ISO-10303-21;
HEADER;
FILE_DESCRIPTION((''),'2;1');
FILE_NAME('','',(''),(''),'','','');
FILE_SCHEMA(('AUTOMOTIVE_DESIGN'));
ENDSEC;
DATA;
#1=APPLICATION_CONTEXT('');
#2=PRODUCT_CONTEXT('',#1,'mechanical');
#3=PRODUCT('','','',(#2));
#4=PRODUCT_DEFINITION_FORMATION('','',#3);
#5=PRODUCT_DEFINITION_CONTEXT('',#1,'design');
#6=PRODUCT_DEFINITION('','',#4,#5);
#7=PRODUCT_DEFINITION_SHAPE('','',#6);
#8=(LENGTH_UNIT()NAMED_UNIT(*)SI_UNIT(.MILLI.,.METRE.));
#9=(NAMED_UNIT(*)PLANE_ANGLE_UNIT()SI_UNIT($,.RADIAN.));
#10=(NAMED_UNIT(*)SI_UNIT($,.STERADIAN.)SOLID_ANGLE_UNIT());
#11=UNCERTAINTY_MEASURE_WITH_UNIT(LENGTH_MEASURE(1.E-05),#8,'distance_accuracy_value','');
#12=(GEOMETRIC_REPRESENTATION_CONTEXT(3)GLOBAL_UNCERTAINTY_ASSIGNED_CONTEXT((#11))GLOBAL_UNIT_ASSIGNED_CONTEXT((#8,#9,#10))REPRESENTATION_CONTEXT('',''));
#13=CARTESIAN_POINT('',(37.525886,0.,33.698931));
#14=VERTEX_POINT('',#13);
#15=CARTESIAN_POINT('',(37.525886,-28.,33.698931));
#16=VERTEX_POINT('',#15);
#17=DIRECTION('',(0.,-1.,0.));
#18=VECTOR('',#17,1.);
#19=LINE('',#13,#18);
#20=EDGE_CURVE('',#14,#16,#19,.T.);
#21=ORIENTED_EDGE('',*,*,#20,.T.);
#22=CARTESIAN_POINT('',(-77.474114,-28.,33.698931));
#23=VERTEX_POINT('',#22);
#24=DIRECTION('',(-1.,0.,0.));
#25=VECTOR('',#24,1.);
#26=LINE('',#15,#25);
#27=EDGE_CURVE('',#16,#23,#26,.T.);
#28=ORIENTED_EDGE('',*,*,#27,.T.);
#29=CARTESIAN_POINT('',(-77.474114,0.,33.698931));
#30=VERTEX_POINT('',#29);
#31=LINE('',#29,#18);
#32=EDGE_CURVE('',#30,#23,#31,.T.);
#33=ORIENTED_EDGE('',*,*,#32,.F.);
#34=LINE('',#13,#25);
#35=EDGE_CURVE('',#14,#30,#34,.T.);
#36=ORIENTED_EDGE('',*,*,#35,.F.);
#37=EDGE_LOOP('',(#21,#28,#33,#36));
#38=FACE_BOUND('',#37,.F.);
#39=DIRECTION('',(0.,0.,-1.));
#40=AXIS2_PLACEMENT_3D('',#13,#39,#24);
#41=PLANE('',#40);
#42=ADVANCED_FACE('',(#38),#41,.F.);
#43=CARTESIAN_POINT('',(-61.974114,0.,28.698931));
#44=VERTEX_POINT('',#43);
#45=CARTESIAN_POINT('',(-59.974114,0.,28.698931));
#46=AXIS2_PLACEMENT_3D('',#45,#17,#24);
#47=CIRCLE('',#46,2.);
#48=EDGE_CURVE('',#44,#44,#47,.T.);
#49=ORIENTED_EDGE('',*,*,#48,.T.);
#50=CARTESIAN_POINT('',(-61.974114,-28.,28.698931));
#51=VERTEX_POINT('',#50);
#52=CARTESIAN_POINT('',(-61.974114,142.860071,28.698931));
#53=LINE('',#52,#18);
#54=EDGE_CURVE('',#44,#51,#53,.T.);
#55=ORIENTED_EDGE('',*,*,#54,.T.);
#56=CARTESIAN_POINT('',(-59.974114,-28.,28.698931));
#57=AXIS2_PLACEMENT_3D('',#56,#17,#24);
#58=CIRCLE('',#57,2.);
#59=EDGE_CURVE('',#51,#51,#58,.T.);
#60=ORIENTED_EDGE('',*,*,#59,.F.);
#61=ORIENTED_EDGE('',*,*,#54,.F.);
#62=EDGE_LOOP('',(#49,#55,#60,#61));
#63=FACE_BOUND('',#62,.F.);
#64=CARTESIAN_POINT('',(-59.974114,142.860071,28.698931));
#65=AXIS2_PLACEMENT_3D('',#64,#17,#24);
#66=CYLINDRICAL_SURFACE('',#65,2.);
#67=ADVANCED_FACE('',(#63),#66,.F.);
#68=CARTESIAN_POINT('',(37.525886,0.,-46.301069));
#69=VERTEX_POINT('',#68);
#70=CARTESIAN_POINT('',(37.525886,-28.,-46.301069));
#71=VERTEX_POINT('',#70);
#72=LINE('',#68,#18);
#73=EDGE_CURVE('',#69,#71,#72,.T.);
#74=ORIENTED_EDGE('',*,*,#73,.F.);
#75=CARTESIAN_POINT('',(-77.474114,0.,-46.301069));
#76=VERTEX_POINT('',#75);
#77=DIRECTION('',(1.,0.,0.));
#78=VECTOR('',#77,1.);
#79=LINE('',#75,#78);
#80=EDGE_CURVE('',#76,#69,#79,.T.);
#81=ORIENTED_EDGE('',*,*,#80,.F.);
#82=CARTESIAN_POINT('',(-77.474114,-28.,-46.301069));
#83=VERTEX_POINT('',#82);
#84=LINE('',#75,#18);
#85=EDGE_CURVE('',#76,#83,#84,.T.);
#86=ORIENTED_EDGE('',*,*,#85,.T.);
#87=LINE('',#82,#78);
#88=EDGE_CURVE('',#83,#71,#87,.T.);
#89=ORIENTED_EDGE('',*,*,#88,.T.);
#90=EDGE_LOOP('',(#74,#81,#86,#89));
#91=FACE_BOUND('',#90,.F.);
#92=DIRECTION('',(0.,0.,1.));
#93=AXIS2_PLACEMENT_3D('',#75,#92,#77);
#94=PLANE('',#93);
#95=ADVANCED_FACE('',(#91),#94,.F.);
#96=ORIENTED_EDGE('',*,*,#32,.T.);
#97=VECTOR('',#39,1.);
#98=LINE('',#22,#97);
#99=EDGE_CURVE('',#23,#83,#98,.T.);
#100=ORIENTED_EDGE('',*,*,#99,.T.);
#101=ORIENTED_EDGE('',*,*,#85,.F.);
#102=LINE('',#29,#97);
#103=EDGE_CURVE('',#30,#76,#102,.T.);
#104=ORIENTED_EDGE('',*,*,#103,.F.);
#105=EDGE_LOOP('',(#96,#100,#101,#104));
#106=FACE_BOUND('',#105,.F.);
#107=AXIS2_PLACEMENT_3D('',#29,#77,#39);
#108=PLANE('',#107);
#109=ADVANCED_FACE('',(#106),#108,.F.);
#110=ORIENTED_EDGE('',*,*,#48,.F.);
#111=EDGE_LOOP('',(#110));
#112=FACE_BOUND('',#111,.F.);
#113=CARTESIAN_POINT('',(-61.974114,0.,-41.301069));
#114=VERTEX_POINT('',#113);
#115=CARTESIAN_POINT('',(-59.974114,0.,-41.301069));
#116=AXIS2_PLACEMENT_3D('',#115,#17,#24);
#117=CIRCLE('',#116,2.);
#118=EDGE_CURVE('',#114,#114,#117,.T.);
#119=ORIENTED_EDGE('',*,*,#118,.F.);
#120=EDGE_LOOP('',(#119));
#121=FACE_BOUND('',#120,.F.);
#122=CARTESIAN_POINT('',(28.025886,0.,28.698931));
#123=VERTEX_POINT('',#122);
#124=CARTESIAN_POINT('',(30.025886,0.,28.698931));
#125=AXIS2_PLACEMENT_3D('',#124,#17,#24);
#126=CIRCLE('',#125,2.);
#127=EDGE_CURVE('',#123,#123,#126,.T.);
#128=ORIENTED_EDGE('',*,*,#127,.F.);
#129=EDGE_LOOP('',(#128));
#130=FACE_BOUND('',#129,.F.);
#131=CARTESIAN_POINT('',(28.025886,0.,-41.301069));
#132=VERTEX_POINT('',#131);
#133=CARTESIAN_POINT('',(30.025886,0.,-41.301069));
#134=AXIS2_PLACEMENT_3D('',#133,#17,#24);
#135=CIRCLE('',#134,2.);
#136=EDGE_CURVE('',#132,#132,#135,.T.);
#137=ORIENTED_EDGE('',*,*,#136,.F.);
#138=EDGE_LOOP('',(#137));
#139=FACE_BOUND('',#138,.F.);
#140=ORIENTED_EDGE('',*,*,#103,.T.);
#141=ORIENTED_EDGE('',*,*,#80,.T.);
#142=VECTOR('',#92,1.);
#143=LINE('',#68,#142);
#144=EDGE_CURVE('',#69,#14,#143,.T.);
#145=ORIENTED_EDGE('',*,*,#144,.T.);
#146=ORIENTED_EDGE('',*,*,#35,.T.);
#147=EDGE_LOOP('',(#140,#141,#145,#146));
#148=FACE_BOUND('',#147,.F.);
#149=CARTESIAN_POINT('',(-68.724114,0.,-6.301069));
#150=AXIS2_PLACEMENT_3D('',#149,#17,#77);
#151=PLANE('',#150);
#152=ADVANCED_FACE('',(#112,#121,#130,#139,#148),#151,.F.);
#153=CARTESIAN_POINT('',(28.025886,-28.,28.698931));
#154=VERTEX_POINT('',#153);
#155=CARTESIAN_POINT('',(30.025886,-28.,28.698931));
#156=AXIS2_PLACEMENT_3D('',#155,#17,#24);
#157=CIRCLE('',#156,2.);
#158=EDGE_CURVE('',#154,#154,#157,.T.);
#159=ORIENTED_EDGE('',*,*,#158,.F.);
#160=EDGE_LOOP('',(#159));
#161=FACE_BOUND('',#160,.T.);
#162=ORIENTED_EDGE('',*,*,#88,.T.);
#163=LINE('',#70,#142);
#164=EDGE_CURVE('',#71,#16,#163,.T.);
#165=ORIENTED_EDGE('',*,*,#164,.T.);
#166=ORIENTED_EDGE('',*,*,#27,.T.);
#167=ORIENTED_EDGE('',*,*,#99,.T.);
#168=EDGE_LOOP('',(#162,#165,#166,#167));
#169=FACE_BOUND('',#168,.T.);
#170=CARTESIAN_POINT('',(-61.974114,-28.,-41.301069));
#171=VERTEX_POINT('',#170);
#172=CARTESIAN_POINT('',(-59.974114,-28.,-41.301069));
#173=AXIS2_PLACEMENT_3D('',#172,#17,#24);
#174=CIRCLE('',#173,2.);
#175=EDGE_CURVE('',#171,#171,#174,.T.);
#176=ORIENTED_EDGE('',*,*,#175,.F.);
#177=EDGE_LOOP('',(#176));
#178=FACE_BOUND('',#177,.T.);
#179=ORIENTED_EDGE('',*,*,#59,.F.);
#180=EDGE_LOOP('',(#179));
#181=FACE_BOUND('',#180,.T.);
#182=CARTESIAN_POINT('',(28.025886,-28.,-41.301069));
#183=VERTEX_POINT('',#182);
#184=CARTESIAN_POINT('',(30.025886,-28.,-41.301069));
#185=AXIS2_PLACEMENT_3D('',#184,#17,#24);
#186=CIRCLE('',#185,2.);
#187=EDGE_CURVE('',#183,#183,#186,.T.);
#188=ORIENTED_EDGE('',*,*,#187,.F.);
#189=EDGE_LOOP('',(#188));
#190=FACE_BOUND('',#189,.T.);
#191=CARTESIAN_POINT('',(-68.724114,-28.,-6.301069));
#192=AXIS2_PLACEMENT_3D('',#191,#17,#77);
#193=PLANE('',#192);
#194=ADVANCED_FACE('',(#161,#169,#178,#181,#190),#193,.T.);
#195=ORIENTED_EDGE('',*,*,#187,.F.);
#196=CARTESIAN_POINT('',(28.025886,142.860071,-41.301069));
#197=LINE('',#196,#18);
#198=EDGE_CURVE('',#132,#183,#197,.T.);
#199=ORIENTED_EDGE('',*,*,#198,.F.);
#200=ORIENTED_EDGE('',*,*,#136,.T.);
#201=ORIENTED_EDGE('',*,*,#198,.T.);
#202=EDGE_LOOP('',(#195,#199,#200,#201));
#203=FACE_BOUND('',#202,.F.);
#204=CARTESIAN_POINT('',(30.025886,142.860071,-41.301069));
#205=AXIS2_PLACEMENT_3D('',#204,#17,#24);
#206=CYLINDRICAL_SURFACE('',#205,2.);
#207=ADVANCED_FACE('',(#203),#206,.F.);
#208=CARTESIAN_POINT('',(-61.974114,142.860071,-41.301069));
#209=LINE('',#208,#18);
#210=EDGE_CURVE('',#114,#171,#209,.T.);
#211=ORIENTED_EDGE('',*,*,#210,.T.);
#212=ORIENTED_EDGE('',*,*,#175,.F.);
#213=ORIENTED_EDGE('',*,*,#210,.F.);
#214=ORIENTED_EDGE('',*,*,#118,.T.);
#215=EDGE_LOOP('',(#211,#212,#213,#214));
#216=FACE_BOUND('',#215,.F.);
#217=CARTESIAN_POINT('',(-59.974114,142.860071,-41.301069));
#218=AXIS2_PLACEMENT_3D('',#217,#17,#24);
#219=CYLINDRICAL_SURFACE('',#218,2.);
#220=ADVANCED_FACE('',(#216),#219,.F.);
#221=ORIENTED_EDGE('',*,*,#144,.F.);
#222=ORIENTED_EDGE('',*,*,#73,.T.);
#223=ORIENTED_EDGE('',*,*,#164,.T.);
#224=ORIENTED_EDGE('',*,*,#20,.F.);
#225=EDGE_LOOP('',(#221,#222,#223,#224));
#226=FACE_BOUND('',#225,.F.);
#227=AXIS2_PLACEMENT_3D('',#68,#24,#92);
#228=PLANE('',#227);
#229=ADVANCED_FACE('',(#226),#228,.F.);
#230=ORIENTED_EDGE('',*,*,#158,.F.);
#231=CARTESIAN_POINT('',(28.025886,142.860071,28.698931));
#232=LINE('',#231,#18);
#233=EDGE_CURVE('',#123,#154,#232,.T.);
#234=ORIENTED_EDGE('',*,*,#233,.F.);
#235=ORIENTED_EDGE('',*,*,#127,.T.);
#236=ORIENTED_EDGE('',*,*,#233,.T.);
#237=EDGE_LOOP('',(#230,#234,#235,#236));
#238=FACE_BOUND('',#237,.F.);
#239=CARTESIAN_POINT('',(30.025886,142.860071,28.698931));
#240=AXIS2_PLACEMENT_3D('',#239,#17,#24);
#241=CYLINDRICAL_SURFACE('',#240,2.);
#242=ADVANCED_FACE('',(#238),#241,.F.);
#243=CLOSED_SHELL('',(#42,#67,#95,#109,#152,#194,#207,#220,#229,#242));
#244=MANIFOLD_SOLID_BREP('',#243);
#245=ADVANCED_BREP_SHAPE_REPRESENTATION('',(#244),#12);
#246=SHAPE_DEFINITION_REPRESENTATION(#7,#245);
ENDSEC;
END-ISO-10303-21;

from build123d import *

# Parameters (mm, degrees)
F0_W     = 90
F0_H     = 5
F0_H_2   = 70
F0_W_2   = 7.5
F1_DEPTH = 28
F2_D     = 4


with BuildPart() as f1:
    # F0 (on Front) → F1 (new body)
    with BuildSketch(Plane.XZ):
        Polygon((-77.4741143733, 33.6989310638), (-77.4741143733, -46.3010689362), (-59.9741143733, -46.3010689362), (-59.9741143733, -41.3010689362), (-59.9741143733, 28.6989310638), (-59.9741143733, 33.6989310638), align=None)
        with Locations((-14.9741143733, 31.1989310638)):
            Rectangle(F0_W, F0_H)
        with Locations((-14.9741143733, -6.3010689362)):
            Rectangle(F0_W, F0_H_2)
        with Locations((33.7758856267, -6.3010689362)):
            Rectangle(F0_W_2, F0_H_2)
        with Locations((33.7758856267, 31.1989310638)):
            Rectangle(F0_W_2, F0_H)
        with Locations((-14.9741143733, -43.8010689362)):
            Rectangle(F0_W, F0_H)
        with Locations((33.7758856267, -43.8010689362)):
            Rectangle(F0_W_2, F0_H)
    extrude(amount=F1_DEPTH)

    # F2 (through all)
    with Locations(Plane(origin=(0, 0, 0), x_dir=(1, 0, 0), z_dir=(0, 1, 0))):
        with Locations((-59.9741143733, -28.6989310638), (30.0258856267, -28.6989310638), (-59.9741143733, 41.3010689362), (30.0258856267, 41.3010689362)):
            Hole(F2_D / 2)


solid = f1.part
